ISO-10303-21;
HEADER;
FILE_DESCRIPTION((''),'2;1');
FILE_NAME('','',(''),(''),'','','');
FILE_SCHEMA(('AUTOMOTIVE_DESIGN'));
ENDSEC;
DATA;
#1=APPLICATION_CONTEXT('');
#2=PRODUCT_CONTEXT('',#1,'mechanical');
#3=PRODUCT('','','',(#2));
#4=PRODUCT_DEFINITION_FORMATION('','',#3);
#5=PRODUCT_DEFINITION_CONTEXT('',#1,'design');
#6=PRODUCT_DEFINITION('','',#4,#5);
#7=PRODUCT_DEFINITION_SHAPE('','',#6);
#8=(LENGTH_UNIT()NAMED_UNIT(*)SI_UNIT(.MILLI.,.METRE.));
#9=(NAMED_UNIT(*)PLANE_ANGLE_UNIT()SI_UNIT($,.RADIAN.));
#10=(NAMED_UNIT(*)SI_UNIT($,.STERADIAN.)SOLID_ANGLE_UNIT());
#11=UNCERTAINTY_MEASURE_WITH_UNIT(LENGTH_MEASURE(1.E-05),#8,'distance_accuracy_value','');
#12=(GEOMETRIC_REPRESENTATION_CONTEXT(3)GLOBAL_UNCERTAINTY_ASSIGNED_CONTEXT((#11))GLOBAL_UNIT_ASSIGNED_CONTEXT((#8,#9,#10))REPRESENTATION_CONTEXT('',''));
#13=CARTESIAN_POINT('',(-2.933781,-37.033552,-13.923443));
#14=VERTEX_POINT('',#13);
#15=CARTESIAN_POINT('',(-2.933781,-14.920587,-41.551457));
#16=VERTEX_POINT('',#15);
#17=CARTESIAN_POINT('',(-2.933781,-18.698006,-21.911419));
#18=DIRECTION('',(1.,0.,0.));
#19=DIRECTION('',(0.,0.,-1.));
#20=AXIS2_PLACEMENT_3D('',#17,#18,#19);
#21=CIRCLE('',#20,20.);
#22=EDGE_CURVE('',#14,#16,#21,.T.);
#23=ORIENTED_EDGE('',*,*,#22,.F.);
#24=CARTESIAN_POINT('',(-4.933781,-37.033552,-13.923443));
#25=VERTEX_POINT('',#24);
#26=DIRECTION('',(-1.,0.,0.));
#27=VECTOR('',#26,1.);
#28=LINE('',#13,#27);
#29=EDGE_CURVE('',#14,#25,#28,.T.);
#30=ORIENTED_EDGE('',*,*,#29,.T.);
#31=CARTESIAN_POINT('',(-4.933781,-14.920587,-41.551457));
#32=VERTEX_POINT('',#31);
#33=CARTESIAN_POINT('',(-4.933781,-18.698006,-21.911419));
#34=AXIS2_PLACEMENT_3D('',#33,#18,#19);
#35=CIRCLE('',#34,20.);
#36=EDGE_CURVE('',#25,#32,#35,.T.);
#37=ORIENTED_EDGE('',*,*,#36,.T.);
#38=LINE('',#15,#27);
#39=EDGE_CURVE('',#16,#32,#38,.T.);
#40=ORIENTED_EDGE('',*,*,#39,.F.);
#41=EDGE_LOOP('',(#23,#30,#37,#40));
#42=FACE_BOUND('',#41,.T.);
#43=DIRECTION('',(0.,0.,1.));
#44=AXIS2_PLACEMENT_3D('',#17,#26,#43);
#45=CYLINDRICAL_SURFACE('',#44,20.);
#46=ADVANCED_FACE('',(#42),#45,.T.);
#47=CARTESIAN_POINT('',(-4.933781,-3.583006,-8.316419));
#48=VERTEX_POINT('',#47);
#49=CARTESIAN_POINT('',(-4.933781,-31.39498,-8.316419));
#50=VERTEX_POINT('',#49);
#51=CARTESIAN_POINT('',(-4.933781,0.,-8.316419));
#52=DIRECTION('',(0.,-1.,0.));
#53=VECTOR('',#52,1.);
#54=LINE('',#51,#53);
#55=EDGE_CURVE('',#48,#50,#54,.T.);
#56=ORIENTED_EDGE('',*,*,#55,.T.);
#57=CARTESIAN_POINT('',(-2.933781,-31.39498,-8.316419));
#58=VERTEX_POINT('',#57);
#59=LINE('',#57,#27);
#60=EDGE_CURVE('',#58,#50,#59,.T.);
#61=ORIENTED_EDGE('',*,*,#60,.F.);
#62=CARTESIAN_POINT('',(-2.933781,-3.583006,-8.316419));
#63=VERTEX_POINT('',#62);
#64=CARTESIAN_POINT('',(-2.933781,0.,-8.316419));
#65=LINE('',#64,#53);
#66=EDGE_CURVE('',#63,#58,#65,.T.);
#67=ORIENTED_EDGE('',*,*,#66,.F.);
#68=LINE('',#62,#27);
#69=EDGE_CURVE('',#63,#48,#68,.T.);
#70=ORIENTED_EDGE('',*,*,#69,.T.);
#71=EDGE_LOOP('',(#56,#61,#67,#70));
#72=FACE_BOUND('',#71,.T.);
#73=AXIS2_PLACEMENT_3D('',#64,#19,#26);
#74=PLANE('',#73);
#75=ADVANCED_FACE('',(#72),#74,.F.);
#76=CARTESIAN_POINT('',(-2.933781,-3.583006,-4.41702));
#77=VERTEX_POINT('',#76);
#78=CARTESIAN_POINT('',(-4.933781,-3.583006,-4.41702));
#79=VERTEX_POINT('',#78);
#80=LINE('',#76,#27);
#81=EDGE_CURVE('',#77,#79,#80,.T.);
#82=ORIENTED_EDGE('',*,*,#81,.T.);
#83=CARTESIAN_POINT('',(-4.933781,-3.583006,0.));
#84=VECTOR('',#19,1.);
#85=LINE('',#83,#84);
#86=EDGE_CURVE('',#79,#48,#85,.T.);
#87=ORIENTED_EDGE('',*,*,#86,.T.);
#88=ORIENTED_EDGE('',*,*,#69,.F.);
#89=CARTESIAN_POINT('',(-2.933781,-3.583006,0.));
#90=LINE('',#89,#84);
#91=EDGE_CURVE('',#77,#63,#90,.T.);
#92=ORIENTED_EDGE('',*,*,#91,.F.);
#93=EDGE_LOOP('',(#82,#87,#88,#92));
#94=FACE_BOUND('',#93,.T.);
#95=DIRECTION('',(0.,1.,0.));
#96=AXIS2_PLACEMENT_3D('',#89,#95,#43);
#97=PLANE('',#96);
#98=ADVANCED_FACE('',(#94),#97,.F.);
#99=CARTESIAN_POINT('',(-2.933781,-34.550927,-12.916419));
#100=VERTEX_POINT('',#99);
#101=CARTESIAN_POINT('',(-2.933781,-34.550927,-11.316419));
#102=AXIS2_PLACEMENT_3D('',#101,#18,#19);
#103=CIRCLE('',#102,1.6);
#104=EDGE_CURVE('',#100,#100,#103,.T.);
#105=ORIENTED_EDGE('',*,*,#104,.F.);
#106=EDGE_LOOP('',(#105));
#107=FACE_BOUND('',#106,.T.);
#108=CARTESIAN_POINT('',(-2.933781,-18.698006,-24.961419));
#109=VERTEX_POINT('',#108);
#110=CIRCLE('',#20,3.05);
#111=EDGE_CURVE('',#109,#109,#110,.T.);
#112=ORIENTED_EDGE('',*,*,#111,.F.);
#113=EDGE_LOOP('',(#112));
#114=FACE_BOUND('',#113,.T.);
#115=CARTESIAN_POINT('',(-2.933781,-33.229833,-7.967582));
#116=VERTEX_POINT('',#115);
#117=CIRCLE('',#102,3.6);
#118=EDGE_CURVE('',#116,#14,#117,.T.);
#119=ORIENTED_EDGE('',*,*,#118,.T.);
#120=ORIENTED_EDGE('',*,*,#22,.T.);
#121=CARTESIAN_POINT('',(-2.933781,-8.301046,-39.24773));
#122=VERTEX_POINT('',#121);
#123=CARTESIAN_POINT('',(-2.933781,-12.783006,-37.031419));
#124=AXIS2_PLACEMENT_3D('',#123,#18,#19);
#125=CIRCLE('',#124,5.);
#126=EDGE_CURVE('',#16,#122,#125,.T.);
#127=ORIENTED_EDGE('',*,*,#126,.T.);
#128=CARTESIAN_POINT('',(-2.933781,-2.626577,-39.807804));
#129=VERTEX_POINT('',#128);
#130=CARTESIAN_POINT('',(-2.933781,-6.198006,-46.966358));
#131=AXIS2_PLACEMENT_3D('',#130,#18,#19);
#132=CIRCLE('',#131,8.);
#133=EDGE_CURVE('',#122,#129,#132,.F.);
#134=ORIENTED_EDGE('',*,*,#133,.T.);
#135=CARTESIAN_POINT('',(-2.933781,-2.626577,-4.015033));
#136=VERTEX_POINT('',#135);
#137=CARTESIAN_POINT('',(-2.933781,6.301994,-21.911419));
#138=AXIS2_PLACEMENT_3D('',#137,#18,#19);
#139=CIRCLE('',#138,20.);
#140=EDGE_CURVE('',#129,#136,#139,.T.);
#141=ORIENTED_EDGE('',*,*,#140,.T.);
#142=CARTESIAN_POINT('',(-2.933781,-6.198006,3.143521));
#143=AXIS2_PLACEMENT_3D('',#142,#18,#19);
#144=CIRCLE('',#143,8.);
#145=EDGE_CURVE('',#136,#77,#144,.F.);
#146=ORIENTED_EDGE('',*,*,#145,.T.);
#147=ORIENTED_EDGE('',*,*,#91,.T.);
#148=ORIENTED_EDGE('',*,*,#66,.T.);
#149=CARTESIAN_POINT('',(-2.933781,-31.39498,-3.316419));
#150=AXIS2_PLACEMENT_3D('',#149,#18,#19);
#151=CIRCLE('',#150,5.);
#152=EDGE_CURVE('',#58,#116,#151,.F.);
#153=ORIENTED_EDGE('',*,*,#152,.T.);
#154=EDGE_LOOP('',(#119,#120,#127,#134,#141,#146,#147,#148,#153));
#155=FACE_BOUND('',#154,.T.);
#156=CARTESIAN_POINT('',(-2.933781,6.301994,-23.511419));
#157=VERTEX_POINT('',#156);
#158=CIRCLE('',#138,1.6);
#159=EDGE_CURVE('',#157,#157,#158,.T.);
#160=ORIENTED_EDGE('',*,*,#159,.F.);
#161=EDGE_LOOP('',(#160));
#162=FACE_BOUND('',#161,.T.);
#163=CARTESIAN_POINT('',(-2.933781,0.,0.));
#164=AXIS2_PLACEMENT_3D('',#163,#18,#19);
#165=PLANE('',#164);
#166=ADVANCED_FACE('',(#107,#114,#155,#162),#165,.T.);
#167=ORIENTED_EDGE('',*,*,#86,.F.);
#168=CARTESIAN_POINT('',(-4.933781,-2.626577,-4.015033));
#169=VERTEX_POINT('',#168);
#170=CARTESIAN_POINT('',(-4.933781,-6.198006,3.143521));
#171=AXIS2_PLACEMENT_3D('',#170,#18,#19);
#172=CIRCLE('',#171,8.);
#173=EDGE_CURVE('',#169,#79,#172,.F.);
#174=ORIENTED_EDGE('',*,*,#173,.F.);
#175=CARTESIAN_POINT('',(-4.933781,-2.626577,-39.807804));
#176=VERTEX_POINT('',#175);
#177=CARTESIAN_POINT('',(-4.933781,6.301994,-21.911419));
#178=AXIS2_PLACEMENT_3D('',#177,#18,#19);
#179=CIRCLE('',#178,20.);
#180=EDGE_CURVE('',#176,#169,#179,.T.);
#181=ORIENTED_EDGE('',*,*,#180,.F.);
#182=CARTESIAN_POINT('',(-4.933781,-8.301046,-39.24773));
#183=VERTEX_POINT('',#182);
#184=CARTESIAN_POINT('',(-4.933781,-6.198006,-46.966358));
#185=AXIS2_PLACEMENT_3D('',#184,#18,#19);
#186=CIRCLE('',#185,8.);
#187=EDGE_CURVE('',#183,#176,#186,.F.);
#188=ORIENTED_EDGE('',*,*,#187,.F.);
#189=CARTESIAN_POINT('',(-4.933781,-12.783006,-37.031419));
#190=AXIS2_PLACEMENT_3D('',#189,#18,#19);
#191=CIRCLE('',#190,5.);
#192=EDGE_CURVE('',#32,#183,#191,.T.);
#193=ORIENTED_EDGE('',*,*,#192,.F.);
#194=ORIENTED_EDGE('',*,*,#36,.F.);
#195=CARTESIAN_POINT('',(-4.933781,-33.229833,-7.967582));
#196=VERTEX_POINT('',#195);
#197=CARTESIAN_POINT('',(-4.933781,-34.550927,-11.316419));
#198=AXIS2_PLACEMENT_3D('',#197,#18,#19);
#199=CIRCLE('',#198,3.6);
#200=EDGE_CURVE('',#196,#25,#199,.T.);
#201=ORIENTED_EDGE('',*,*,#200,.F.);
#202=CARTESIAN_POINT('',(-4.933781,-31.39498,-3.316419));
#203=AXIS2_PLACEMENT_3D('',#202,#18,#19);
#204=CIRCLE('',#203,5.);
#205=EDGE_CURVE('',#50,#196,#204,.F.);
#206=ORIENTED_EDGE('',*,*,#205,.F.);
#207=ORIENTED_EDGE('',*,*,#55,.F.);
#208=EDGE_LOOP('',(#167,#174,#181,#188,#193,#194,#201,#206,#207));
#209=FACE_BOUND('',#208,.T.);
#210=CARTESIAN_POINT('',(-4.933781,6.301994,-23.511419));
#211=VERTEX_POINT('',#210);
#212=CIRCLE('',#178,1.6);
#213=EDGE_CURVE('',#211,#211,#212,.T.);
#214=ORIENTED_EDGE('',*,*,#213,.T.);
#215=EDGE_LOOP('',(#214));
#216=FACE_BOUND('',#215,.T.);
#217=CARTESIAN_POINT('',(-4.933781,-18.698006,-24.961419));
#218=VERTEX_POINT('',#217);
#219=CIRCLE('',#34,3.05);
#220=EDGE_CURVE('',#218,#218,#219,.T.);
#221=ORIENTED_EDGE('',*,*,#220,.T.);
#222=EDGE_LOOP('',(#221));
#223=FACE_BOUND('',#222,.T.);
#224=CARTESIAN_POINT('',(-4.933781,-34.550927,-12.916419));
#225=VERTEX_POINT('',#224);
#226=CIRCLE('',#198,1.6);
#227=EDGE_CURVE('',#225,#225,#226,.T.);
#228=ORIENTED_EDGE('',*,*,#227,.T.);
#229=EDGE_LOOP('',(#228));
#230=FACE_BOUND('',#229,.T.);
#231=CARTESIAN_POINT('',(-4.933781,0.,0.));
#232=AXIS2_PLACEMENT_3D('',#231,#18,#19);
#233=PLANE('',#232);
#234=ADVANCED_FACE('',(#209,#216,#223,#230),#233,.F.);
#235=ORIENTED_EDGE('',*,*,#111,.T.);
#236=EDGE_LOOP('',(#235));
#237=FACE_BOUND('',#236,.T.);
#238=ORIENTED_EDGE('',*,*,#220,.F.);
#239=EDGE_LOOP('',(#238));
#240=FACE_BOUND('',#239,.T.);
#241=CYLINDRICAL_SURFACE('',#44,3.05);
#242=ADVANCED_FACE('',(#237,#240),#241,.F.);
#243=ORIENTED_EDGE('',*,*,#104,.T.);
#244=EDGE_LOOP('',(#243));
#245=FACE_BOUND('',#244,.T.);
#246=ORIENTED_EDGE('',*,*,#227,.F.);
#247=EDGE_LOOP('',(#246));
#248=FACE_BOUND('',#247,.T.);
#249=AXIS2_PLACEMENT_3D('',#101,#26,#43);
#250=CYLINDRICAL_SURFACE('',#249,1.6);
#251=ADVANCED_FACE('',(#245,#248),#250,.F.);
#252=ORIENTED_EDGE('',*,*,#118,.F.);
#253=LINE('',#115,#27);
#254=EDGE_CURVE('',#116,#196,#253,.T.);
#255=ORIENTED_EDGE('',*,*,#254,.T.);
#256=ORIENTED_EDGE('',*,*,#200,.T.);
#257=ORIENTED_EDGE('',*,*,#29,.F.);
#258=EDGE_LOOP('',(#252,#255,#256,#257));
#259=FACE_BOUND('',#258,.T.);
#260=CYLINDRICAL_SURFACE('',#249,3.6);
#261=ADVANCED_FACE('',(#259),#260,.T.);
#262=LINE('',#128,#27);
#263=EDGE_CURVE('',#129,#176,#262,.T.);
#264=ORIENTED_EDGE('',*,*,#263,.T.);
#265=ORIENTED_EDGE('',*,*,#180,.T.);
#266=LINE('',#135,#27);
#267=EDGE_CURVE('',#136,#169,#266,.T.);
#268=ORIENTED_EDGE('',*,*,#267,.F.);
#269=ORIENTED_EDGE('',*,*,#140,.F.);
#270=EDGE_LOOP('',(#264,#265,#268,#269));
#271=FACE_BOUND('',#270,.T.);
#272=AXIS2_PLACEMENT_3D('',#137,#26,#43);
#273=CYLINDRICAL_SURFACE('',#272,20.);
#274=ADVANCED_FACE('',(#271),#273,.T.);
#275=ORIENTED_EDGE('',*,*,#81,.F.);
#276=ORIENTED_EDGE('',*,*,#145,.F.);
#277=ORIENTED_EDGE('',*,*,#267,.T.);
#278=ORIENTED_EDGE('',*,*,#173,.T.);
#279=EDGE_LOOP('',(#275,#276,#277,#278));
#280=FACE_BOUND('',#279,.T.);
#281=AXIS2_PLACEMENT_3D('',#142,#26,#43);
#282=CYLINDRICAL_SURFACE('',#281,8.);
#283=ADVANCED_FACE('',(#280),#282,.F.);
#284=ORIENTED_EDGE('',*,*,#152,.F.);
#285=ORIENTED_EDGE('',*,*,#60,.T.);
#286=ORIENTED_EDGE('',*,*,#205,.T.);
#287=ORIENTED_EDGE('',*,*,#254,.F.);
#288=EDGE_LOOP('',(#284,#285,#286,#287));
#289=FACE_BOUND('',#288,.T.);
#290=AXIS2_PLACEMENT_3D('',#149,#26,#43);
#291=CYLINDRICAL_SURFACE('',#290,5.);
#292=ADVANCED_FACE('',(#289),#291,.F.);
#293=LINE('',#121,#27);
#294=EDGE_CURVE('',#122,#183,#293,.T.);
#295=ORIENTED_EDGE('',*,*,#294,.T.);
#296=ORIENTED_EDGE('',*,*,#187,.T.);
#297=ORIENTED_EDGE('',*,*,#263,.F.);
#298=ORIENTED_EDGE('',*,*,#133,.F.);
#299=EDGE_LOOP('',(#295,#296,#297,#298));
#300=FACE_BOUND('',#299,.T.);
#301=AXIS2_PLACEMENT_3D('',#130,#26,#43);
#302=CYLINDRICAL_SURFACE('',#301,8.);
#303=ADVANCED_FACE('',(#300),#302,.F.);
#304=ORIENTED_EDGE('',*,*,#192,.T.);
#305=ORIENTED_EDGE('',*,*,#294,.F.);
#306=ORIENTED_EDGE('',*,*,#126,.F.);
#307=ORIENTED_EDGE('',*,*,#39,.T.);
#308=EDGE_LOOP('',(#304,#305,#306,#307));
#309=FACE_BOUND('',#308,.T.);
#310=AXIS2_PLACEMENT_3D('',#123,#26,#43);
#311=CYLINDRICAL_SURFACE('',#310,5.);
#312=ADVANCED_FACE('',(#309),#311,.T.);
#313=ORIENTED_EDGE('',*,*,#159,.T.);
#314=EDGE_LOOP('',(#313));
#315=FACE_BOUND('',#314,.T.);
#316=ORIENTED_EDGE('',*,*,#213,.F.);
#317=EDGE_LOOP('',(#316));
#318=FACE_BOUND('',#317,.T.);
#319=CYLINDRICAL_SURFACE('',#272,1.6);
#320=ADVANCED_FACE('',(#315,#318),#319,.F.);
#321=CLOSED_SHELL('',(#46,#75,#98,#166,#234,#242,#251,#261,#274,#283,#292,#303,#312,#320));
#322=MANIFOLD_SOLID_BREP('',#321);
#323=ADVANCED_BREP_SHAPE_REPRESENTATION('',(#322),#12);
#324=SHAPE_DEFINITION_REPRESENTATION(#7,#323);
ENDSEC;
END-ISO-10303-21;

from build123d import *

# Parameters (mm, degrees)
SKETCH1_R           = 1.6
SKETCH1_R_2         = 3.05
BOSS_EXTRUDE1_DEPTH = 2


with BuildPart() as part:
    # Sketch1 → Boss-Extrude1 (new body)
    with BuildSketch(Plane(origin=(-4.933780691, 0, 0), x_dir=(0, 0, -1), z_dir=(1, 0, 0))):
        with BuildLine():
            Line((8.316418793, -3.583005728), (8.316418793, -31.394980118))
            ThreePointArc((8.316418793, -31.394980118), (8.228435382, -32.328839328), (7.967581583, -33.22983289))
            ThreePointArc((7.967581583, -33.22983289), (9.37872929, -37.584960404), (13.923442901, -37.033551565))
            ThreePointArc((13.923442901, -37.033551565), (34.408956218, -34.312472042), (41.551457155, -14.920586884))
            ThreePointArc((41.551457155, -14.920586884), (41.753619834, -11.13958937), (39.247730179, -8.301045906))
            ThreePointArc((39.247730179, -8.301045906), (39.005043324, -5.412218315), (39.807804245, -2.626577156))
            ThreePointArc((39.807804245, -2.626577156), (21.911418793, 26.301994272), (4.015033341, -2.626577156))
            ThreePointArc((4.015033341, -2.626577156), (4.231547099, -3.098268174), (4.417019815, -3.583005728))
            Line((4.417019815, -3.583005728), (8.316418793, -3.583005728))
        make_face()
        with Locations((11.316418793, -34.550926886)):
            Circle(SKETCH1_R, mode=Mode.SUBTRACT)
        with Locations((21.911418793, -18.698005728)):
            Circle(SKETCH1_R_2, mode=Mode.SUBTRACT)
        with Locations((21.911418793, 6.301994272)):
            Circle(SKETCH1_R, mode=Mode.SUBTRACT)
    extrude(amount=BOSS_EXTRUDE1_DEPTH)


solid = part.part
